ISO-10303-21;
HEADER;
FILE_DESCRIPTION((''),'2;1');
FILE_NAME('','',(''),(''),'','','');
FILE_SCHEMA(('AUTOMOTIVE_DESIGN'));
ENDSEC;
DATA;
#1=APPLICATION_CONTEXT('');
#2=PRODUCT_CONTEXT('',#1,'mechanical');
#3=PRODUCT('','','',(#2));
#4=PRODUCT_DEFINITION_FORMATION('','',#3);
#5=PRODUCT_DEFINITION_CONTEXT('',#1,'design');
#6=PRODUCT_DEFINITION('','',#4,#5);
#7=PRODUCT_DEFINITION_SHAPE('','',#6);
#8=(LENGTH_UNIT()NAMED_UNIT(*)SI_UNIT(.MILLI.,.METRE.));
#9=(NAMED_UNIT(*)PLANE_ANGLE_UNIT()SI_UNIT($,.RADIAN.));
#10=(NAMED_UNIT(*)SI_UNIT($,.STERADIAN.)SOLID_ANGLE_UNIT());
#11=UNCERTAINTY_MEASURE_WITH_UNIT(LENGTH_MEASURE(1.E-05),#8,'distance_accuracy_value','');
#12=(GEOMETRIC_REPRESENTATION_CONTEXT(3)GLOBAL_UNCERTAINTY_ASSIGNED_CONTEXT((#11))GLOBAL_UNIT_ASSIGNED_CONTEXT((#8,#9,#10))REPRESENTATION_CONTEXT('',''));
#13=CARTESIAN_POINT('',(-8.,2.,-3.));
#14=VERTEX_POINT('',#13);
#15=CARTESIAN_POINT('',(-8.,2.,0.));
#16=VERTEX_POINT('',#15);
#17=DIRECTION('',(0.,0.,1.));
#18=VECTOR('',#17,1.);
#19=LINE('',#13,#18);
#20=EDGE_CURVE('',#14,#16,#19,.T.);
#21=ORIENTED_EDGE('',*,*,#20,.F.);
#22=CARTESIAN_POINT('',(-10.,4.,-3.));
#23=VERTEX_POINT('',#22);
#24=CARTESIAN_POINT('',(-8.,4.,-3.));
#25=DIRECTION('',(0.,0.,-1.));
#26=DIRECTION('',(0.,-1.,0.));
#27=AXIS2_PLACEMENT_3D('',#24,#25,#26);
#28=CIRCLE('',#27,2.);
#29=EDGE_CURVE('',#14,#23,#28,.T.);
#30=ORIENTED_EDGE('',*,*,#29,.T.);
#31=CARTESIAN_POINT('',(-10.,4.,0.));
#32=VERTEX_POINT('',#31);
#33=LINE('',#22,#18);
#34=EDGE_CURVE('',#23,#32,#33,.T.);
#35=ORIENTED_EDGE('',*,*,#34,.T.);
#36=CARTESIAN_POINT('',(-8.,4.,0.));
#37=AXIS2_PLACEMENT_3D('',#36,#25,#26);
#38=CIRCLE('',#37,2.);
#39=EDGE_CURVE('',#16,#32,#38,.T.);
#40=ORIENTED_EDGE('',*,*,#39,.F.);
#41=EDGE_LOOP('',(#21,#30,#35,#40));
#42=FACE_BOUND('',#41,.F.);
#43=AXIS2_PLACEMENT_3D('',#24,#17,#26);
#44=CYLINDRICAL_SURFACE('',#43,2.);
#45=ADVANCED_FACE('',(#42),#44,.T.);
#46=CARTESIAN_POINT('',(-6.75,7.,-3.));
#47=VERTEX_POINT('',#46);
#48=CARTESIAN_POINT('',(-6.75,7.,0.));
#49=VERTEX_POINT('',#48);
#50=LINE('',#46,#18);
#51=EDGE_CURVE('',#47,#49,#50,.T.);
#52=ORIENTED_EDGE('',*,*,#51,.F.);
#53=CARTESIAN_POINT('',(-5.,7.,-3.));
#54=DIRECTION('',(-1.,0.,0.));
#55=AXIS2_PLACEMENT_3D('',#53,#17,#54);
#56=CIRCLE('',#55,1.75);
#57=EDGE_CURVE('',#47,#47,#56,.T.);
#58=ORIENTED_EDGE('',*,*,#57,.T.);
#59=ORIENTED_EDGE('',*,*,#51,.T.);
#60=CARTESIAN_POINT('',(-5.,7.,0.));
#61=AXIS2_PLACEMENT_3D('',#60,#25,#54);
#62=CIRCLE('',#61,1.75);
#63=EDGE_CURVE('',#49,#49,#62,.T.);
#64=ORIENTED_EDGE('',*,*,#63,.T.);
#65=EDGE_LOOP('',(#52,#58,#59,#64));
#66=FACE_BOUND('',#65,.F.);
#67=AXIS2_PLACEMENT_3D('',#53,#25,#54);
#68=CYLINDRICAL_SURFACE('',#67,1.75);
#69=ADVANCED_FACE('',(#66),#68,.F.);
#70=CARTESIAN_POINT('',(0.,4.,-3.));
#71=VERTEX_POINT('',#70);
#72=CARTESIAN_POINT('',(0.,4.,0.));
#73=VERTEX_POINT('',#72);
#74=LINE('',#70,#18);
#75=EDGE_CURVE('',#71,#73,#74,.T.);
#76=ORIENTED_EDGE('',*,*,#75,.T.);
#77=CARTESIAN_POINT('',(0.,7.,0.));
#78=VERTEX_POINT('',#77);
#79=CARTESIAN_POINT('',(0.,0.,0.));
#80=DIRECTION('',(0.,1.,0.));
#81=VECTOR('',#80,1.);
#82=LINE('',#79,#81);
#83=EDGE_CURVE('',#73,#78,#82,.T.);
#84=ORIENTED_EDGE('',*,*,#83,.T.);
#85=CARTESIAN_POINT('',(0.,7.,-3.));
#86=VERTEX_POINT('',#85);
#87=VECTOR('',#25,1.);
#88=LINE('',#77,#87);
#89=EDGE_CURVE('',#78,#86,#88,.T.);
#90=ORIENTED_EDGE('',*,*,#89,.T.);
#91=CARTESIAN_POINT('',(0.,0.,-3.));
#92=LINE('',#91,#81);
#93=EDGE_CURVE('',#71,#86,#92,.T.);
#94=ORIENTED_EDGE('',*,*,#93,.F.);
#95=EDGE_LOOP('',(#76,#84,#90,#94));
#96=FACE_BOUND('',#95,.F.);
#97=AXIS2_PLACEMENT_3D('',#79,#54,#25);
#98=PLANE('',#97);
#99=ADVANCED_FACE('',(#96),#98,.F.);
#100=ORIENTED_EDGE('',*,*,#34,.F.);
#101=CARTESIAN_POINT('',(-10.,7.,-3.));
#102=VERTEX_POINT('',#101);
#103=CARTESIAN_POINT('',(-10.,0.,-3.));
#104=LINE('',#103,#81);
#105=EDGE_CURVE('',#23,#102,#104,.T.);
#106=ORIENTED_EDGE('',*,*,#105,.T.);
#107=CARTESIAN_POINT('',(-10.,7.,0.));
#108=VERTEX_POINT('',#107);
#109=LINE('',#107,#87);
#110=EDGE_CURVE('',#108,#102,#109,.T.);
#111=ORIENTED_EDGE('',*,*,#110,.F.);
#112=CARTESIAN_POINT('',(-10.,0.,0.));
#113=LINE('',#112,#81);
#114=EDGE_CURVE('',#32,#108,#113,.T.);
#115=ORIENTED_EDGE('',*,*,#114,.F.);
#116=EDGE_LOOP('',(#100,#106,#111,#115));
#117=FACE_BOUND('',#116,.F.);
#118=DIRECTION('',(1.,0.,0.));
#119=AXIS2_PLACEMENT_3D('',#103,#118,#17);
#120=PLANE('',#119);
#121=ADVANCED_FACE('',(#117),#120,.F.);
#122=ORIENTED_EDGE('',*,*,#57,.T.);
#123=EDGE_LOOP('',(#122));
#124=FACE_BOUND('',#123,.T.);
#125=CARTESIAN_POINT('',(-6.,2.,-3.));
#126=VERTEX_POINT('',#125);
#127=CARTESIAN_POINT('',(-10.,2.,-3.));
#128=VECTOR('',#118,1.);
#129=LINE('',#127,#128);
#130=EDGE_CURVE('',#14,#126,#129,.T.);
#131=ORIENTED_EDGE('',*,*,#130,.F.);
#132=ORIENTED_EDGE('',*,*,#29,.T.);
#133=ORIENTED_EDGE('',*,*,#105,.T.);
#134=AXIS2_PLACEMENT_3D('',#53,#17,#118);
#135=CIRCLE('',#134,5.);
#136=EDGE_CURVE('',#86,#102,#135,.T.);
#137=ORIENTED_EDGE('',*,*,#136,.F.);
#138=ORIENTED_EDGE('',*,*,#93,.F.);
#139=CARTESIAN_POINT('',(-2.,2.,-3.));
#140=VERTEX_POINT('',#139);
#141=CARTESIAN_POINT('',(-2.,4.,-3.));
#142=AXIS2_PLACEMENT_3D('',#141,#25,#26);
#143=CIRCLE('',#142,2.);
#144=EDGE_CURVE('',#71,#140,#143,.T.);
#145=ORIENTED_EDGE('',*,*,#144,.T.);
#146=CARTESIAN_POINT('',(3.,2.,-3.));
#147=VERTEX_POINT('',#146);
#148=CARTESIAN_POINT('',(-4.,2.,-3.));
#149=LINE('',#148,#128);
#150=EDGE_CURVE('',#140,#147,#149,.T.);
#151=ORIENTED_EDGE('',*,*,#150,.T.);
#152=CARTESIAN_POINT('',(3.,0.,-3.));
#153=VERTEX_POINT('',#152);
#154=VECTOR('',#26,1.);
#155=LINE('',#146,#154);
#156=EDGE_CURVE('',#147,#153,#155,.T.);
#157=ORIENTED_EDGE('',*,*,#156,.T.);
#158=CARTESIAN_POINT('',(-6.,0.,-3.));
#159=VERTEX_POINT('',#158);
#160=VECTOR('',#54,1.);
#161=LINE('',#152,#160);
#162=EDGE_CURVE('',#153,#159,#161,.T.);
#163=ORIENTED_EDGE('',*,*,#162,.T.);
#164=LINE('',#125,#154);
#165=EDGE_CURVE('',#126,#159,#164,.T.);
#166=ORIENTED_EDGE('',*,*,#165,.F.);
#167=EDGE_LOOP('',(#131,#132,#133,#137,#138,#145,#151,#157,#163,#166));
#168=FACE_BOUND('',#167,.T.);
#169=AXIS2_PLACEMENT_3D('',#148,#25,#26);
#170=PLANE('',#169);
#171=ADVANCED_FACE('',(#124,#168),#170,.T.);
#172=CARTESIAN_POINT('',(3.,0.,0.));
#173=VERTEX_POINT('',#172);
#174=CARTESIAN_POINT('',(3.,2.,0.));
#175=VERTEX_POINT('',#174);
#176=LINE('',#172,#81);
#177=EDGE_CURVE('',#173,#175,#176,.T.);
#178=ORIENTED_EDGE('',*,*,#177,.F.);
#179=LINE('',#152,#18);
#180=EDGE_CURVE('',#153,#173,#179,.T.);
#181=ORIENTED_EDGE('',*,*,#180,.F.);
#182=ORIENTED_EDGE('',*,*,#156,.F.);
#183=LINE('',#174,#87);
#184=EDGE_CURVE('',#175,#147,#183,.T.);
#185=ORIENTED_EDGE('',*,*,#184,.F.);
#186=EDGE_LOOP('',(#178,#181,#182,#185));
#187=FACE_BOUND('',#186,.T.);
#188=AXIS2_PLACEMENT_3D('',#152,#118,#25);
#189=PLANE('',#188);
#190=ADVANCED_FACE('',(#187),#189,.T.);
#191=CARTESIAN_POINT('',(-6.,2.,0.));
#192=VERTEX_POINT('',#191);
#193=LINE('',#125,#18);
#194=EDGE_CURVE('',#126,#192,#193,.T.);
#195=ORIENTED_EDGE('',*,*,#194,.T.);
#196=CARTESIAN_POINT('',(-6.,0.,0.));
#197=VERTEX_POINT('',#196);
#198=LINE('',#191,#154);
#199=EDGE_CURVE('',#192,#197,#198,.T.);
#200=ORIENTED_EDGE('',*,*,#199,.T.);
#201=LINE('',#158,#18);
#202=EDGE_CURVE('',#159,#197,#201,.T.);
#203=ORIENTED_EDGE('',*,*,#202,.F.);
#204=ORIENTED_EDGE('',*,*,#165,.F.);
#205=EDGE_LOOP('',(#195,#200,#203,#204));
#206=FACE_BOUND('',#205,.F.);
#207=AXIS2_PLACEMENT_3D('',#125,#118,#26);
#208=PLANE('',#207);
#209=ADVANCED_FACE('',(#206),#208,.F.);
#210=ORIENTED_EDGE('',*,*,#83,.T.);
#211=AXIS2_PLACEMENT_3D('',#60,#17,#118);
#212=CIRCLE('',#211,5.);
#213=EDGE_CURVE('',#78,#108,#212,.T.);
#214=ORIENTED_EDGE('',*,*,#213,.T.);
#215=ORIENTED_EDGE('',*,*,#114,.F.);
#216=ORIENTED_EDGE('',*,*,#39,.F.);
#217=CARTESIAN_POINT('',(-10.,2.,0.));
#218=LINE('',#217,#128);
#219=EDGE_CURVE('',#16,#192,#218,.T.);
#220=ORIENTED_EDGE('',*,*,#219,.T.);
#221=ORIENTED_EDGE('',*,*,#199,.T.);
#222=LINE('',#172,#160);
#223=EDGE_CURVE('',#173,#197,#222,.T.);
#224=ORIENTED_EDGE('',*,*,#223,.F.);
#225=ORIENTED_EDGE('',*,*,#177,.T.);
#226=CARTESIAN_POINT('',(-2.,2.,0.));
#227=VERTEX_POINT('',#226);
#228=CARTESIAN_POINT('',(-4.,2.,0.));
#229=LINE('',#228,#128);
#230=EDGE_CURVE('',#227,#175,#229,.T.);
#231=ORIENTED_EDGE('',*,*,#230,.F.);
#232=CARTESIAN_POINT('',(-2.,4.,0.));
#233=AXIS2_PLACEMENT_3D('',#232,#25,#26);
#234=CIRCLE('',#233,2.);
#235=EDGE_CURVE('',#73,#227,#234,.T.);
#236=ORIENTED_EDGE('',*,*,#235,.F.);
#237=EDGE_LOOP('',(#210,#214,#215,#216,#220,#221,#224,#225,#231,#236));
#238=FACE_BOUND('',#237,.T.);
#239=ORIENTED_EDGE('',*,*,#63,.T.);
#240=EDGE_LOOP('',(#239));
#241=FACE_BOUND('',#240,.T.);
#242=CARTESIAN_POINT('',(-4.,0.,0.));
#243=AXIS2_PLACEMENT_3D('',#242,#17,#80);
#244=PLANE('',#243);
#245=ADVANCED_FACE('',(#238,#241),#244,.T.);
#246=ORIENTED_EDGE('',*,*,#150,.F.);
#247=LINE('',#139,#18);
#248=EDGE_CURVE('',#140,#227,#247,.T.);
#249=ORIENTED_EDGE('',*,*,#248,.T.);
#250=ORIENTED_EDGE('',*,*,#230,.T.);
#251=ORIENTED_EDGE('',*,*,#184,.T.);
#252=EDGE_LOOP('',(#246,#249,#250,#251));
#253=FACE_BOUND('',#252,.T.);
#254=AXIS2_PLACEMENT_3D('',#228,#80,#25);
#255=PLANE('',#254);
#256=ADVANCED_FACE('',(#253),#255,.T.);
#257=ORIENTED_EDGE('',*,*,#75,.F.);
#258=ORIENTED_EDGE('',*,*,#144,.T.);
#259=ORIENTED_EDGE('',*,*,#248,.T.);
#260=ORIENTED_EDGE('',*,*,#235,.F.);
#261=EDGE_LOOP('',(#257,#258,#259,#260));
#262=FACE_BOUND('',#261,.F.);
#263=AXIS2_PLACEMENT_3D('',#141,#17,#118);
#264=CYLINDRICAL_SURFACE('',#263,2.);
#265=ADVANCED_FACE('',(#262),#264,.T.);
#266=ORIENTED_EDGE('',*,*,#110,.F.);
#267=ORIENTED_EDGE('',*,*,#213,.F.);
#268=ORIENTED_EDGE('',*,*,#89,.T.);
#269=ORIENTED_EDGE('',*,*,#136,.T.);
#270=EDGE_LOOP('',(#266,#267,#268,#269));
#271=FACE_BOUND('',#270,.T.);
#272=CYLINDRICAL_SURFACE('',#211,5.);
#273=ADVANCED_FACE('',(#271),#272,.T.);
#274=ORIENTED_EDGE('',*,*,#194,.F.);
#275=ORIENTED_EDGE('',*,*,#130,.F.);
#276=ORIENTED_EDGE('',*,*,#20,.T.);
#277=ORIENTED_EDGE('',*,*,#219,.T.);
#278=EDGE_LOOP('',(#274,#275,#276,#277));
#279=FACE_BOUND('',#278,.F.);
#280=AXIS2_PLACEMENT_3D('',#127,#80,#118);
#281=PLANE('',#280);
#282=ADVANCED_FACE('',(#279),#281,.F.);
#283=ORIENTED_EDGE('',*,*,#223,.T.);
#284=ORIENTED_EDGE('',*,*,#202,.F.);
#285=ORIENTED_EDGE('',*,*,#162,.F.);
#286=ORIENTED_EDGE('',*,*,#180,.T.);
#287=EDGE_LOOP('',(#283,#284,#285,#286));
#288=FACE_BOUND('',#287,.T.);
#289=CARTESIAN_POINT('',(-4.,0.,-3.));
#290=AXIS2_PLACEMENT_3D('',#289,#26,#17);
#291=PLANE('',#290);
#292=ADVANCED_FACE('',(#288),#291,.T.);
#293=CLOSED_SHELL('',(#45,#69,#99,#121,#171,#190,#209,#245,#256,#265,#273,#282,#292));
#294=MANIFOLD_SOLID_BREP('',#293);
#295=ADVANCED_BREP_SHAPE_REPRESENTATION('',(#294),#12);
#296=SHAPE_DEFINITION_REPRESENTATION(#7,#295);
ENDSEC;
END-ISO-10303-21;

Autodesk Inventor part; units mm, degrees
ref_plane "YZ Plane" through (0, 0, 0) normal (1, 0, 0) x (0, 1, 0)
ref_plane "XZ Plane" through (0, 0, 0) normal (0, 1, 0) x (-1, 0, 0)
ref_plane "XY Plane" through (0, 0, 0) normal (0, 0, 1) x (1, 0, 0)
sketch "Sketch1" plane through (0, 0, 0) normal (0, 1, 0) x (-1, 0, 0)
  line L0 (0, 0) -> (0, -3)
  line L1 (0, -3) -> (10, -3)
  line L2 (10, -3) -> (10, 0)
  line L3 (10, 0) -> (0, 0)
  dimension "d0" = 3
  dimension "d1" = 10
  dimension "d2" = 90
  dimension "d3" = 3
extrude "Extrusion1" add sketch "Sketch1" along normal blind 12
sketch "Sketch4" plane through (0, 0, -3) normal (0, 0, -1) x (-1, 0, 0)
  line L0 (0, 0) -> (0, 2)
  line L1 (0, 0) -> (0, 12) projected
  line L2 (0, 2) -> (4, 2)
  line L3 (10, 0) -> (10, 12) projected
  line L4 (4, 2) -> (0, 0)
  line L5 (0, 0) -> (10, 0) projected
  line L6 (10, 0) -> (10, 2)
  line L7 (10, 2) -> (6, 2)
  line L8 (6, 2) -> (10, 0)
  line L9 (4, 2) -> (6, 2)
  line L10 (6, 2) -> (6, 0)
  line L11 (4, 2) -> (4, 0)
  line L12 (4, 0) -> (6, 0)
  dimension "d9" = 2
  dimension "d10" = 4
  dimension "d11" = 2
  dimension "d12" = 4
extrude "Extrusion3" cut sketch "Sketch4" against normal up to surface (3 mm away) contours L0 L2 L4 | L4 L11 L5 | L7 L3 L8 | L8 L5 L10
sketch "Sketch6" plane through (0, 12, -3) normal (0, 0, -1) x (-1, 0, 0)
  line L0 (0, -10) -> (0, 0) projected
  line L1 (0, -5) -> (10, -5)
  line L2 (10, -10) -> (10, 0) projected
  line L3 (0, 0) -> (10, 0) projected
  line L4 (5, 0) -> (5, -10)
  circle A0 centre (5, -5) radius 1.75
  point P0 (0, -12)
  dimension "d15" = 3.5
extrude "Extrusion4" cut sketch "Sketch6" against normal up to surface (3 mm away) contours A0 L4 L1 | L1 L4 A0 | L4 A0 L1 | L1 A0 L4
fillet "Fillet1" radius 2 4 edges at (0, 12, -1.5) (0, 2, -1.5) (-10, 12, -1.5) (-10, 2, -1.5)
sketch "Sketch7" plane through (-8, 12, 0) normal (0, 0, 1) x (1, 0, 0)
  circle A0 centre (3, -5) radius 1.75 projected
  arc A1 (8, -2) -> (6, 0) centre (6, -2) ccw projected
  circle A2 centre (3, -5) radius 5
  line L0 (6, 0) -> (0, 0) projected
  line L1 (2, -12) -> (4, -12) projected
  line L2 (4, -10) -> (6, -10) projected
  arc A3 (6, -10) -> (8, -8) centre (6, -8) ccw projected
  line L3 (8, -8) -> (8, -2) projected
  arc A4 (8, -2) -> (6, 0) centre (6, -2) ccw projected
  line L4 (0, 0) -> (6, 0) projected
  arc A5 (0, 0) -> (-2, -2) centre (0, -2) ccw projected
  line L5 (-2, -8) -> (-2, -2) projected
  arc A6 (-2, -8) -> (0, -10) centre (0, -8) ccw projected
  line L6 (0, -10) -> (2, -10) projected
  circle A7 centre (3, -5) radius 1.75 projected
  line L7 (2, -10) -> (2, -12) projected
  line L8 (4, -12) -> (4, -10) projected
  point P0 (8, -12)
  point P1 (-2, -5)
  point P2 (3, 0)
  point P3 (8, -5)
  point P4 (8, -2)
extrude "Extrusion5" cut sketch "Sketch7" against normal up to surface (3 mm away) contours L3 A2 L0 A1 | A2 L5 A5 L0
sketch "Sketch8" plane through (-4, 0, -3) normal (1, 0, 0) x (0, 0, -1)
  line L0 (0, 2) -> (0, 0) projected
  line L1 (-3, 0) -> (-3, 2) projected
  line L2 (0, 0) -> (-3, 0)
  line L3 (-3, 0) -> (-3, 2)
  line L4 (-3, 2) -> (0, 2)
  line L5 (0, 2) -> (0, 0)
extrude "Extrusion6" add sketch "Sketch8" along normal blind 7
properties part number "Knuckle Attachment SMALL HOLE"
